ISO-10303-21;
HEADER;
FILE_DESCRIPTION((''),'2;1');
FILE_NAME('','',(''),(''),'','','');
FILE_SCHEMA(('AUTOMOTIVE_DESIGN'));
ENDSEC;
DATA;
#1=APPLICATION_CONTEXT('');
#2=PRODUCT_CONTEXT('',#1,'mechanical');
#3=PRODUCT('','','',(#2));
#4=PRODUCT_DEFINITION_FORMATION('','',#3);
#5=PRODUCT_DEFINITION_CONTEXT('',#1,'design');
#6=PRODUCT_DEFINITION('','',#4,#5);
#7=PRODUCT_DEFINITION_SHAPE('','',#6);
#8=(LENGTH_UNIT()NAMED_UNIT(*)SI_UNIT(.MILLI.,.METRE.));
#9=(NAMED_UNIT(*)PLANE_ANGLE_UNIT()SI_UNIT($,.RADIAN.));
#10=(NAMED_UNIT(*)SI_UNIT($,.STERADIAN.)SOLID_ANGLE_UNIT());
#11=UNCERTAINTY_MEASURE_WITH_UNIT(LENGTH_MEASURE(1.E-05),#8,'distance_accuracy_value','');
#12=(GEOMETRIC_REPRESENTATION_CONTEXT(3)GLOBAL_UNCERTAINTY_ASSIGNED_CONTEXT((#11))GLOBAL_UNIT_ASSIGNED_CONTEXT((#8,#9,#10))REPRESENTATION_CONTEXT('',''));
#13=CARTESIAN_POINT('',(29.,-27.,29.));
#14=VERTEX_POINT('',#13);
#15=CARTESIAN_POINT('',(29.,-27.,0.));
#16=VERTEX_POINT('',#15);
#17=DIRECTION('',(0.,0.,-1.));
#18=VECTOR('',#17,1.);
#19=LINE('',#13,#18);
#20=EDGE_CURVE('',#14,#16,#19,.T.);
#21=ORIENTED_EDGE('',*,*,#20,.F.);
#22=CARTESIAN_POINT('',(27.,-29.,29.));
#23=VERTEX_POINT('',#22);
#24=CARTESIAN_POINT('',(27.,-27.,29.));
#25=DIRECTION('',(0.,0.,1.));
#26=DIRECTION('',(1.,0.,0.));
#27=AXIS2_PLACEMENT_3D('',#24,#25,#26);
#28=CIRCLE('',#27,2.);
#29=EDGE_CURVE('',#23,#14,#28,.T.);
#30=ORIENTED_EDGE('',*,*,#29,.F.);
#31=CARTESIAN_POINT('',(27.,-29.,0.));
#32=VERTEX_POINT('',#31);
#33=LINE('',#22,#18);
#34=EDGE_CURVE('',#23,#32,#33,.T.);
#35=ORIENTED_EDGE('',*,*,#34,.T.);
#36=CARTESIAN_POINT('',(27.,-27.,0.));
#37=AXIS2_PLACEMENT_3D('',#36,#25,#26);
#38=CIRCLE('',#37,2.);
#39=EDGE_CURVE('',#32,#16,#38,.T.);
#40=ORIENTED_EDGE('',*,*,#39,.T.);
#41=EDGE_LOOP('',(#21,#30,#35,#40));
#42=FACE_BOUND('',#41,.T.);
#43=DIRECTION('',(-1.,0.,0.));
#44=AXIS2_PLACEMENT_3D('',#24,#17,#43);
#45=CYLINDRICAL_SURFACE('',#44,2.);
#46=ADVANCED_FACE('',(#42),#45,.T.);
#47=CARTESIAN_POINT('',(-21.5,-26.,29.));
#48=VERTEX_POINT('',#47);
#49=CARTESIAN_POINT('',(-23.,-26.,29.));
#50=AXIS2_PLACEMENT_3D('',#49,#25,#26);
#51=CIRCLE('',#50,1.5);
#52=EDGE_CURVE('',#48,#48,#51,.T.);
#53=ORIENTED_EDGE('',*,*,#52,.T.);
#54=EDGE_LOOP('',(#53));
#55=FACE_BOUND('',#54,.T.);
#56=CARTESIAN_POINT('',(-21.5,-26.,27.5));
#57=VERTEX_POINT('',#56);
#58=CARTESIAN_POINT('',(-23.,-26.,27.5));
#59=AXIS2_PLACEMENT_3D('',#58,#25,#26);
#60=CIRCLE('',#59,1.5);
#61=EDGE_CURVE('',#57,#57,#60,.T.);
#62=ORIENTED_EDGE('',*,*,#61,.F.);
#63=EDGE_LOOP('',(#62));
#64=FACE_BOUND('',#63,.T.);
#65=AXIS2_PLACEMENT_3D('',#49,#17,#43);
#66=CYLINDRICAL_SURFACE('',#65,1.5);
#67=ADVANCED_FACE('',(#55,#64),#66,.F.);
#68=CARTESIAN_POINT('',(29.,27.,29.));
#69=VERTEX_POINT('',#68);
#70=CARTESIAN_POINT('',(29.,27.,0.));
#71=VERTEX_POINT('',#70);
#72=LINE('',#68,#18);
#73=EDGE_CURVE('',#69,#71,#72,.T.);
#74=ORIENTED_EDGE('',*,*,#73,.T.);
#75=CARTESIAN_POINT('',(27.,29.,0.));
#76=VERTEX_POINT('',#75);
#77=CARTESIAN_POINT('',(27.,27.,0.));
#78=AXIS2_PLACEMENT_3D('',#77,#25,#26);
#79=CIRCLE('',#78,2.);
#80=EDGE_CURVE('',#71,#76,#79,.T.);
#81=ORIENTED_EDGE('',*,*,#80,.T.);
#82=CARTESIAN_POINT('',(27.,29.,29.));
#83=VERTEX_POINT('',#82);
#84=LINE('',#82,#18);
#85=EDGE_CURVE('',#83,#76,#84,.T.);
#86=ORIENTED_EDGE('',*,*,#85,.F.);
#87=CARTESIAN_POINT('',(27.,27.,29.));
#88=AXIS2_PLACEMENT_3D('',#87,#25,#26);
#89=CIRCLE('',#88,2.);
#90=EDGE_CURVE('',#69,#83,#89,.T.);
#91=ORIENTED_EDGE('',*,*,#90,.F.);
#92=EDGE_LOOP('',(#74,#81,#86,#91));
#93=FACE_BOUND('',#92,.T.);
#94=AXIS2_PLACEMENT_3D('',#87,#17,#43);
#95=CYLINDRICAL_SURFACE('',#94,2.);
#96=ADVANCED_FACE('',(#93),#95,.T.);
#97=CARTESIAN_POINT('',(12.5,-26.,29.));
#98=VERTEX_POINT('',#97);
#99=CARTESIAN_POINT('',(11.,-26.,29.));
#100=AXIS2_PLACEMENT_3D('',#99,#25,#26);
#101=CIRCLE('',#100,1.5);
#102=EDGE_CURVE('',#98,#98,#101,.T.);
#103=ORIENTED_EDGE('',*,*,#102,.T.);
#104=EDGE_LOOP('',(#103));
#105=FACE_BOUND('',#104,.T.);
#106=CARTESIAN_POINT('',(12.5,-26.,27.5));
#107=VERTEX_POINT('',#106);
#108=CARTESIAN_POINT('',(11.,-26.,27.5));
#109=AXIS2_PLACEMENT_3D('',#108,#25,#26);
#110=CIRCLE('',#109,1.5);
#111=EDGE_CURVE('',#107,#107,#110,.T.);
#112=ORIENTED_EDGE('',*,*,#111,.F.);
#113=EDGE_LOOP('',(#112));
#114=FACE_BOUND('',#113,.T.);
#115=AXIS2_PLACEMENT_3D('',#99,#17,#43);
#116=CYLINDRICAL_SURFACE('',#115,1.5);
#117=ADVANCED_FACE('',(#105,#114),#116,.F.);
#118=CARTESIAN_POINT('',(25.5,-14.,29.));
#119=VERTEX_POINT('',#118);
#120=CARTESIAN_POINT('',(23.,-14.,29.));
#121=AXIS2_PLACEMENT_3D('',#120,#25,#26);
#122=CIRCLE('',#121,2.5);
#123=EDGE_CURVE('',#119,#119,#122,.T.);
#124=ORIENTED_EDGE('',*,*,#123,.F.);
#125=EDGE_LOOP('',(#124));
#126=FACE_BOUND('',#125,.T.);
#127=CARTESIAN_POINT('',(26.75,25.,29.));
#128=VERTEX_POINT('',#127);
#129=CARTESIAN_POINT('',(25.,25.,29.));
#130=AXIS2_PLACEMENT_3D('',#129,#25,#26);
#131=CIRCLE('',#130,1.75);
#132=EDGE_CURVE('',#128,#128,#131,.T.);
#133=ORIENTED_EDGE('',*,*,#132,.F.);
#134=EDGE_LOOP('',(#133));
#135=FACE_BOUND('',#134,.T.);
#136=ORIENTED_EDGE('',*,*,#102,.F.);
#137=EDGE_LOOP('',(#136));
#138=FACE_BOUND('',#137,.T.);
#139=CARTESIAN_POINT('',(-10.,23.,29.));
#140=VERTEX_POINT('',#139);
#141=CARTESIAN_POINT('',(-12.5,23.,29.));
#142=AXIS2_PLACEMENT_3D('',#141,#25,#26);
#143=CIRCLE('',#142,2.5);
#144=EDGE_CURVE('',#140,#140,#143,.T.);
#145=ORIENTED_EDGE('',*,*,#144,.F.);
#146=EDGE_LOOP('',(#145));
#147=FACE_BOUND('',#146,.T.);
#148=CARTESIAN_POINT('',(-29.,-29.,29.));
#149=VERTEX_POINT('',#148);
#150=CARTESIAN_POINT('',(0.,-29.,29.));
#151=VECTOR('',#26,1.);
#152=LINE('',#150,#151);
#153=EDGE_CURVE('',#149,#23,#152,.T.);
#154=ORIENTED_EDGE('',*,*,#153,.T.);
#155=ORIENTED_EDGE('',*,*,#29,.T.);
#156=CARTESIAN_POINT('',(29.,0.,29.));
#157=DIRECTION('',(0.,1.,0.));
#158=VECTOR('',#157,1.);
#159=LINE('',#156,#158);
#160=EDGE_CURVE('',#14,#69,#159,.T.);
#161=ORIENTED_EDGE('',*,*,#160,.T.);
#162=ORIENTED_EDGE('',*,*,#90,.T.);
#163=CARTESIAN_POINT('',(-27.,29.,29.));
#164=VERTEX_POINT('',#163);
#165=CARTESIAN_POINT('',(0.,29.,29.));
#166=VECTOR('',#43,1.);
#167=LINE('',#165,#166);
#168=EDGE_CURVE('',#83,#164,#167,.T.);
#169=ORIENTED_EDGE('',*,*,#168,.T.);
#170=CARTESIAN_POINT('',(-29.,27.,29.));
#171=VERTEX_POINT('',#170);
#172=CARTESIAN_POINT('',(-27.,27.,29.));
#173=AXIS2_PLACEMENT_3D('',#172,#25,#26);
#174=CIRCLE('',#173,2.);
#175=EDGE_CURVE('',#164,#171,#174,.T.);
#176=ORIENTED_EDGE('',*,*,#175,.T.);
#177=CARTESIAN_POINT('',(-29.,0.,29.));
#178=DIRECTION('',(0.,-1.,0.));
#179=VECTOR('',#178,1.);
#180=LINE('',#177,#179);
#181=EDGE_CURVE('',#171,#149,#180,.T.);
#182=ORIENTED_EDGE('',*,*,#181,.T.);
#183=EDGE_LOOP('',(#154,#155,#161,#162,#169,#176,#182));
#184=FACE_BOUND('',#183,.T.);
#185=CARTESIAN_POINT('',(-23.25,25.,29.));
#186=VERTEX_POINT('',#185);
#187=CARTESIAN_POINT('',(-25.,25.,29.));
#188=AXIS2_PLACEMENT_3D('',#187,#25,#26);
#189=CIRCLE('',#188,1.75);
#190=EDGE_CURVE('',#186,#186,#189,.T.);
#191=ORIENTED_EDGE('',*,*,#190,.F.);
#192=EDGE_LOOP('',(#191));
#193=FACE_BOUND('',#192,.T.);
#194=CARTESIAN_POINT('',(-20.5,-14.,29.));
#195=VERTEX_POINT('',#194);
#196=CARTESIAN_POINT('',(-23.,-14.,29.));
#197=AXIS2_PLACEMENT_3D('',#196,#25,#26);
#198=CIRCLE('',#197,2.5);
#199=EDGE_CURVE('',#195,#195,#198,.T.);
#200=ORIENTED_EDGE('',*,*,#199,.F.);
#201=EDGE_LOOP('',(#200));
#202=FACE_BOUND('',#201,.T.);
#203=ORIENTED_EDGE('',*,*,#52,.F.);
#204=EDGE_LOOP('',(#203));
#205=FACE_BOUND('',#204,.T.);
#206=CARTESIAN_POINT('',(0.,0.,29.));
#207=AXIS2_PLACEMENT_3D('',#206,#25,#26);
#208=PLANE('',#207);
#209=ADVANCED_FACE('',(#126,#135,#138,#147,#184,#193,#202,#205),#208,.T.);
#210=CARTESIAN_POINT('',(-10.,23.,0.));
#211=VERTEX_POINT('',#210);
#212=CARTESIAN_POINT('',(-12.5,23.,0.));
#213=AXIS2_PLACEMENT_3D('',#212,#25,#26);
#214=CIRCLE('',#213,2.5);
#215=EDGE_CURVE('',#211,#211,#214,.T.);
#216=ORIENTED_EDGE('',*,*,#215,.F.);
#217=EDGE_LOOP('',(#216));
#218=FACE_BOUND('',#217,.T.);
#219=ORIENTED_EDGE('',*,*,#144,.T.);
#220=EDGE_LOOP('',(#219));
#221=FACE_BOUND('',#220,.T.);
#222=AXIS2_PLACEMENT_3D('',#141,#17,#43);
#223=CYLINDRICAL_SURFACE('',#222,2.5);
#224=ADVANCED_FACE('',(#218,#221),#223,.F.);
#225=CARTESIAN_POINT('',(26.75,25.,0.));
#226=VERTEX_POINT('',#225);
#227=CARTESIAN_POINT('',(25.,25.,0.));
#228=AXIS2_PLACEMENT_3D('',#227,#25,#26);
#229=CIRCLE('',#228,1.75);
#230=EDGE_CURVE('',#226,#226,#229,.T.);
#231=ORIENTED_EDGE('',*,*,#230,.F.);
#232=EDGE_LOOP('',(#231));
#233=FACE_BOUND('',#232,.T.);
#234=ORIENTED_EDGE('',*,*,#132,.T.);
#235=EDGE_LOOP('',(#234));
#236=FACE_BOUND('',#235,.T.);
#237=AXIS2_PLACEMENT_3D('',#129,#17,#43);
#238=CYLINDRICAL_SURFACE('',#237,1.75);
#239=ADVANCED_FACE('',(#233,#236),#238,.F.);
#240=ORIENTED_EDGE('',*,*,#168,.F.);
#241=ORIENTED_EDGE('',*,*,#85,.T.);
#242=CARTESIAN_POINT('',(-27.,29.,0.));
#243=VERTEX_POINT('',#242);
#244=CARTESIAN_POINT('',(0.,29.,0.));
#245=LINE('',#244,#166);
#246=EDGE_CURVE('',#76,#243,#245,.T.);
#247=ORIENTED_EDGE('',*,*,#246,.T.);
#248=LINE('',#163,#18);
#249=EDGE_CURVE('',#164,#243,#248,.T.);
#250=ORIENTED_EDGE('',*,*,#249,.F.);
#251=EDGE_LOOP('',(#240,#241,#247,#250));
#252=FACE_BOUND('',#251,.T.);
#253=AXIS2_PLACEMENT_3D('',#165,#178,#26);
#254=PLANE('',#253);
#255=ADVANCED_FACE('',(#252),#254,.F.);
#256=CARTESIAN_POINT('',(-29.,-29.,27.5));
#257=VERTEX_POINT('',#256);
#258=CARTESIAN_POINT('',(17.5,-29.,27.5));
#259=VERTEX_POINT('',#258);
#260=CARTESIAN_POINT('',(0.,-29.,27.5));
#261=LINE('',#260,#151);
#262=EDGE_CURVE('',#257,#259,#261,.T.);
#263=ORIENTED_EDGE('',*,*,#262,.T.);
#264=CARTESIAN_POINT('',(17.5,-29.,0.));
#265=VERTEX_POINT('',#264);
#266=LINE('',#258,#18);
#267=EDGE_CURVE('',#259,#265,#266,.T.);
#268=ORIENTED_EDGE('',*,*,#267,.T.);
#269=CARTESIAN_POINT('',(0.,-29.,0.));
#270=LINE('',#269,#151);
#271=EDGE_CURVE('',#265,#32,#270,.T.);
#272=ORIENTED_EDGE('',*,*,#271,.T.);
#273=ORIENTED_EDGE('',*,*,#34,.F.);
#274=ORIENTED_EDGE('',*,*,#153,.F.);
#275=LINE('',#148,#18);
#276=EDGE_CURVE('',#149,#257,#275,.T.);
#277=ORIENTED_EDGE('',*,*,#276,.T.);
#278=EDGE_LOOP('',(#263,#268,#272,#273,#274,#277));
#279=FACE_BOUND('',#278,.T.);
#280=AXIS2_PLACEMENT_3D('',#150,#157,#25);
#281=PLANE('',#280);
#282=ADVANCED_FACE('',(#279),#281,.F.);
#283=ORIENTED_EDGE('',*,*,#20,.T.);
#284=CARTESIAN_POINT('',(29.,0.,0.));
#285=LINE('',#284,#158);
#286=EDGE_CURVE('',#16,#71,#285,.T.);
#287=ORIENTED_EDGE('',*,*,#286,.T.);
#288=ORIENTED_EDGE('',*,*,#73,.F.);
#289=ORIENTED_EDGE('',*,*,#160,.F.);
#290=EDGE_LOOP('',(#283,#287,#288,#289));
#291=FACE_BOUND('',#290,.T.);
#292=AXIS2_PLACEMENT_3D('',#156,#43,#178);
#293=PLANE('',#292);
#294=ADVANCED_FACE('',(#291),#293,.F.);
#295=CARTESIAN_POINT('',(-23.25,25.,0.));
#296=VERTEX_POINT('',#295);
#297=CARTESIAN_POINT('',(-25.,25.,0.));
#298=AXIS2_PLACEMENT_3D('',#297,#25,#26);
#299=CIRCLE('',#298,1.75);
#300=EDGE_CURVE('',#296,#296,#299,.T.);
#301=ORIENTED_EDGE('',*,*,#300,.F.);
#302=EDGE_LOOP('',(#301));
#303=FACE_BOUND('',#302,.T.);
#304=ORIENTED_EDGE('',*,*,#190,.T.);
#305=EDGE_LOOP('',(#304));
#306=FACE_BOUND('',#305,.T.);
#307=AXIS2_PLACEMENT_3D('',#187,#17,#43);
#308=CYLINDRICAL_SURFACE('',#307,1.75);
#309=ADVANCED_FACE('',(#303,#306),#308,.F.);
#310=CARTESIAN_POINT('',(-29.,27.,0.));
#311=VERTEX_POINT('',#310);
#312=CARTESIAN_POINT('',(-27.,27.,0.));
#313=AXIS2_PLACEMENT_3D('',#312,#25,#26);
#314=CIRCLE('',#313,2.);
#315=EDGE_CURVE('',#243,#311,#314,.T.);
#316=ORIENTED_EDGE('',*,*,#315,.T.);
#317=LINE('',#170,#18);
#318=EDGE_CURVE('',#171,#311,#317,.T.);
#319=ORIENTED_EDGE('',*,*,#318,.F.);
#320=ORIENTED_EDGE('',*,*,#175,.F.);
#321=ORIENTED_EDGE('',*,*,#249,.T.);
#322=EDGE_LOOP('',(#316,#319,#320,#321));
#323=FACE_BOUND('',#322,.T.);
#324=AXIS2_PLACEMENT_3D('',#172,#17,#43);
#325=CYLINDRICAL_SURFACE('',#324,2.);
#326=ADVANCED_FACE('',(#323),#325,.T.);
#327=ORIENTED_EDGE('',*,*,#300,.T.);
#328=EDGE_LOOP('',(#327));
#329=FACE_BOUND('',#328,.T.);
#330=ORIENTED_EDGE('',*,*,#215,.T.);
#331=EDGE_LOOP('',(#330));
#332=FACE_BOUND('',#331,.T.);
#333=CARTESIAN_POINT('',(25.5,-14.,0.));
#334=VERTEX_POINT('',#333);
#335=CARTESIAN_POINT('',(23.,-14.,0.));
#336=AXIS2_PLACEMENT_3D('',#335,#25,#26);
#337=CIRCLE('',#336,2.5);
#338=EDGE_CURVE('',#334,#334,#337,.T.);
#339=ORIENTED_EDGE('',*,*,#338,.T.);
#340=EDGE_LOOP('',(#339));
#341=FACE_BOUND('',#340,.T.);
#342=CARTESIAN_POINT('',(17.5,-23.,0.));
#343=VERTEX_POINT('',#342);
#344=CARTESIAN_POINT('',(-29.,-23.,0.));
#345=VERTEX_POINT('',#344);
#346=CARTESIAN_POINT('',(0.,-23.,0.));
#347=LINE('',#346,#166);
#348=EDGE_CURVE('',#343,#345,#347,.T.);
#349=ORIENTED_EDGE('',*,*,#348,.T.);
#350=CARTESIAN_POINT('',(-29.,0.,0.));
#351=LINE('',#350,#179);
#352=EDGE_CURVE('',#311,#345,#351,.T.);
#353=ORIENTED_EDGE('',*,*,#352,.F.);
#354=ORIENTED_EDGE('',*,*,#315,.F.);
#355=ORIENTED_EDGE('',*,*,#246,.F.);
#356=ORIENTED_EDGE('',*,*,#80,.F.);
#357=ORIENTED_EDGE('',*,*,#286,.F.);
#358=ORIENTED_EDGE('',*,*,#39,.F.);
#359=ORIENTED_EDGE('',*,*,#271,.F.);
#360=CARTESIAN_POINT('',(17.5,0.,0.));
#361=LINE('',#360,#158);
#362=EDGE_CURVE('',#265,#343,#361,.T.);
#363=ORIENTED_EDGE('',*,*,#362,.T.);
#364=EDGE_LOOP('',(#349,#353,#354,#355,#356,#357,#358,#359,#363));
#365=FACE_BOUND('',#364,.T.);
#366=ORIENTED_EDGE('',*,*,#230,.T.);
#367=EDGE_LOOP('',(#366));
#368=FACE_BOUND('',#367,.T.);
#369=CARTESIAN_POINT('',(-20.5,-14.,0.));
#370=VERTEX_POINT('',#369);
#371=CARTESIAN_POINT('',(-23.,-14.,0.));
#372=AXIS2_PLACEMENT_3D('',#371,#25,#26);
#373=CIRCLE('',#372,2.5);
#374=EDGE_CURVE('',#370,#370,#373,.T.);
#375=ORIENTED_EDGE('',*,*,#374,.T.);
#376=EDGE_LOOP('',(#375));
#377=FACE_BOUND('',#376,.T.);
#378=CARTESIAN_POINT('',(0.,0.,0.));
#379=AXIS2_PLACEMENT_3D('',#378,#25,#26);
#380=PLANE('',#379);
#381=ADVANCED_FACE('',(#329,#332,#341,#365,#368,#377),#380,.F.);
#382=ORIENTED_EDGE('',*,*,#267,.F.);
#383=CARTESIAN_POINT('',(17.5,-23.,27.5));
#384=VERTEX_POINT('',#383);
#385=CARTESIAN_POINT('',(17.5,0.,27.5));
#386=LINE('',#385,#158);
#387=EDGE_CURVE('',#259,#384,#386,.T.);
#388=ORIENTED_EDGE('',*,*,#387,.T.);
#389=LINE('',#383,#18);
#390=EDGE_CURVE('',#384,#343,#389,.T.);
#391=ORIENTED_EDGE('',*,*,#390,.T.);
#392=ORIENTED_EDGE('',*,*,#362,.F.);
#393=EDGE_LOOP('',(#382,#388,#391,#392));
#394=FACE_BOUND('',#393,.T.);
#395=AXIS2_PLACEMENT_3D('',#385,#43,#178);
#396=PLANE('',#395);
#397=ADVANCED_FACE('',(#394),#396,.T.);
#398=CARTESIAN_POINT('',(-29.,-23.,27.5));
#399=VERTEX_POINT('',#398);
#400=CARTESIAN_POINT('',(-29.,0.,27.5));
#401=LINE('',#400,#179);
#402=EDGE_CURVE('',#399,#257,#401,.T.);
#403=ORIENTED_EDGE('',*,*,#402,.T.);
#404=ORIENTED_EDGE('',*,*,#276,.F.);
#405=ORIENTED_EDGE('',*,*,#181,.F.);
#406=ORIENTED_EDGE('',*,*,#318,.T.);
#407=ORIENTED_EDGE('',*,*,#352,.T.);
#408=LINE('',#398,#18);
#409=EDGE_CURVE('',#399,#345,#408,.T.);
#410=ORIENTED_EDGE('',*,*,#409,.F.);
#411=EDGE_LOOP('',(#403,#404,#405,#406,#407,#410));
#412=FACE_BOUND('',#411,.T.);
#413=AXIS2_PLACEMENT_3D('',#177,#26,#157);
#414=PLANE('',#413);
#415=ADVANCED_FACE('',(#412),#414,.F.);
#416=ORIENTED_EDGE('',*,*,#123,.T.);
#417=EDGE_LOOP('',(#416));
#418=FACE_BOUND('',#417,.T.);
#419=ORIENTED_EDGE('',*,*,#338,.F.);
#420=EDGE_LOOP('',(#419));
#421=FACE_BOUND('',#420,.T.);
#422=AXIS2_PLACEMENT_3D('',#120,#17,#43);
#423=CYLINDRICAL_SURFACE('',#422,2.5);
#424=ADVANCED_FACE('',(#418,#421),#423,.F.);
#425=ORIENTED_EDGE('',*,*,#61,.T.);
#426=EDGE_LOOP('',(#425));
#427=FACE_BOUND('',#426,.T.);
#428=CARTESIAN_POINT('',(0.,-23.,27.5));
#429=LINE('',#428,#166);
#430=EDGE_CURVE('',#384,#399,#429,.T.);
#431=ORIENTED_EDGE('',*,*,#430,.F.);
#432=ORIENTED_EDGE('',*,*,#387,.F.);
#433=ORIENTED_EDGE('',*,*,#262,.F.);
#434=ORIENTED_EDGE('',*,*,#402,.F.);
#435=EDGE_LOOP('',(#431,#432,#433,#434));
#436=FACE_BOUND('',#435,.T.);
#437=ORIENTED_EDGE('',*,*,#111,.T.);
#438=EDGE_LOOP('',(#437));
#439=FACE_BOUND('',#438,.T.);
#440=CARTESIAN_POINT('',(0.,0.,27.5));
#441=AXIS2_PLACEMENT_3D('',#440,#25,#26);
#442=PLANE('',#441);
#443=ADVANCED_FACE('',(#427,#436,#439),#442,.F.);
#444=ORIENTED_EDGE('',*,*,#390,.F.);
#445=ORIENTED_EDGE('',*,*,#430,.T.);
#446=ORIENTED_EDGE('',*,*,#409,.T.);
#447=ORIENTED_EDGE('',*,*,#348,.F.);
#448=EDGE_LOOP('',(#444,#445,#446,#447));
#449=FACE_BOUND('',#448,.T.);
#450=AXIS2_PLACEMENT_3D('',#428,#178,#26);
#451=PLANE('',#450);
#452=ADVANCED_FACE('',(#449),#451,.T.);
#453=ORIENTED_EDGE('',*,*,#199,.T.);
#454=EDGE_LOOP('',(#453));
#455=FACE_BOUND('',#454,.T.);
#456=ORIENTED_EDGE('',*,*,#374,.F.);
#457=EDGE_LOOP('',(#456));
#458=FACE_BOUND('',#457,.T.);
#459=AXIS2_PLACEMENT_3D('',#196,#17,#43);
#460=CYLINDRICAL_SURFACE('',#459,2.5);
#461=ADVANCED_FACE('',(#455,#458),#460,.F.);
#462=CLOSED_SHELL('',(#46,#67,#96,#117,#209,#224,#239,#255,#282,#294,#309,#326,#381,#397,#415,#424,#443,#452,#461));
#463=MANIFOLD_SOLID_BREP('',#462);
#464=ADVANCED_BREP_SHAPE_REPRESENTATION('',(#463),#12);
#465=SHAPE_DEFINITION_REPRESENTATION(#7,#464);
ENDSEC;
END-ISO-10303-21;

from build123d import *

# Parameters (mm, degrees)
SKETCH1_R           = 1.5
SKETCH1_R_2         = 2.5
SKETCH1_R_3         = 1.75
BOSS_EXTRUDE1_DEPTH = 29
SKETCH1_3_W         = 46.5
SKETCH1_3_H         = 6
SKETCH1_3_R         = 1.5
CUT_EXTRUDE1_DEPTH  = 27.5


with BuildPart() as part:
    # Sketch1 → Boss-Extrude1 (new body)
    with BuildSketch(Plane.XY):
        with BuildLine():
            Line((-29, -29), (27, -29))
            ThreePointArc((27, -29), (28.414213562, -28.414213562), (29, -27))
            Line((29, -27), (29, 27))
            ThreePointArc((29, 27), (28.414213562, 28.414213562), (27, 29))
            Line((27, 29), (-27, 29))
            ThreePointArc((-27, 29), (-28.414213562, 28.414213562), (-29, 27))
            Line((-29, 27), (-29, -29))
        make_face()
        with Locations((-23, -26)):
            Circle(SKETCH1_R, mode=Mode.SUBTRACT)
        with Locations((11, -26)):
            Circle(SKETCH1_R, mode=Mode.SUBTRACT)
        with Locations((-12.5, 23)):
            Circle(SKETCH1_R_2, mode=Mode.SUBTRACT)
        with Locations((25, 25)):
            Circle(SKETCH1_R_3, mode=Mode.SUBTRACT)
        with Locations((-23, -14)):
            Circle(SKETCH1_R_2, mode=Mode.SUBTRACT)
        with Locations((23, -14)):
            Circle(SKETCH1_R_2, mode=Mode.SUBTRACT)
        with Locations((-25, 25)):
            Circle(SKETCH1_R_3, mode=Mode.SUBTRACT)
    extrude(amount=BOSS_EXTRUDE1_DEPTH)

    # Sketch1<3> → Cut-Extrude1 (cut)
    with BuildSketch(Plane.XY):
        with Locations((-5.75, -26)):
            Rectangle(SKETCH1_3_W, SKETCH1_3_H)
        with Locations((-23, -26)):
            Circle(SKETCH1_3_R, mode=Mode.SUBTRACT)
        with Locations((11, -26)):
            Circle(SKETCH1_3_R, mode=Mode.SUBTRACT)
    extrude(amount=CUT_EXTRUDE1_DEPTH, mode=Mode.SUBTRACT)


solid = part.part
